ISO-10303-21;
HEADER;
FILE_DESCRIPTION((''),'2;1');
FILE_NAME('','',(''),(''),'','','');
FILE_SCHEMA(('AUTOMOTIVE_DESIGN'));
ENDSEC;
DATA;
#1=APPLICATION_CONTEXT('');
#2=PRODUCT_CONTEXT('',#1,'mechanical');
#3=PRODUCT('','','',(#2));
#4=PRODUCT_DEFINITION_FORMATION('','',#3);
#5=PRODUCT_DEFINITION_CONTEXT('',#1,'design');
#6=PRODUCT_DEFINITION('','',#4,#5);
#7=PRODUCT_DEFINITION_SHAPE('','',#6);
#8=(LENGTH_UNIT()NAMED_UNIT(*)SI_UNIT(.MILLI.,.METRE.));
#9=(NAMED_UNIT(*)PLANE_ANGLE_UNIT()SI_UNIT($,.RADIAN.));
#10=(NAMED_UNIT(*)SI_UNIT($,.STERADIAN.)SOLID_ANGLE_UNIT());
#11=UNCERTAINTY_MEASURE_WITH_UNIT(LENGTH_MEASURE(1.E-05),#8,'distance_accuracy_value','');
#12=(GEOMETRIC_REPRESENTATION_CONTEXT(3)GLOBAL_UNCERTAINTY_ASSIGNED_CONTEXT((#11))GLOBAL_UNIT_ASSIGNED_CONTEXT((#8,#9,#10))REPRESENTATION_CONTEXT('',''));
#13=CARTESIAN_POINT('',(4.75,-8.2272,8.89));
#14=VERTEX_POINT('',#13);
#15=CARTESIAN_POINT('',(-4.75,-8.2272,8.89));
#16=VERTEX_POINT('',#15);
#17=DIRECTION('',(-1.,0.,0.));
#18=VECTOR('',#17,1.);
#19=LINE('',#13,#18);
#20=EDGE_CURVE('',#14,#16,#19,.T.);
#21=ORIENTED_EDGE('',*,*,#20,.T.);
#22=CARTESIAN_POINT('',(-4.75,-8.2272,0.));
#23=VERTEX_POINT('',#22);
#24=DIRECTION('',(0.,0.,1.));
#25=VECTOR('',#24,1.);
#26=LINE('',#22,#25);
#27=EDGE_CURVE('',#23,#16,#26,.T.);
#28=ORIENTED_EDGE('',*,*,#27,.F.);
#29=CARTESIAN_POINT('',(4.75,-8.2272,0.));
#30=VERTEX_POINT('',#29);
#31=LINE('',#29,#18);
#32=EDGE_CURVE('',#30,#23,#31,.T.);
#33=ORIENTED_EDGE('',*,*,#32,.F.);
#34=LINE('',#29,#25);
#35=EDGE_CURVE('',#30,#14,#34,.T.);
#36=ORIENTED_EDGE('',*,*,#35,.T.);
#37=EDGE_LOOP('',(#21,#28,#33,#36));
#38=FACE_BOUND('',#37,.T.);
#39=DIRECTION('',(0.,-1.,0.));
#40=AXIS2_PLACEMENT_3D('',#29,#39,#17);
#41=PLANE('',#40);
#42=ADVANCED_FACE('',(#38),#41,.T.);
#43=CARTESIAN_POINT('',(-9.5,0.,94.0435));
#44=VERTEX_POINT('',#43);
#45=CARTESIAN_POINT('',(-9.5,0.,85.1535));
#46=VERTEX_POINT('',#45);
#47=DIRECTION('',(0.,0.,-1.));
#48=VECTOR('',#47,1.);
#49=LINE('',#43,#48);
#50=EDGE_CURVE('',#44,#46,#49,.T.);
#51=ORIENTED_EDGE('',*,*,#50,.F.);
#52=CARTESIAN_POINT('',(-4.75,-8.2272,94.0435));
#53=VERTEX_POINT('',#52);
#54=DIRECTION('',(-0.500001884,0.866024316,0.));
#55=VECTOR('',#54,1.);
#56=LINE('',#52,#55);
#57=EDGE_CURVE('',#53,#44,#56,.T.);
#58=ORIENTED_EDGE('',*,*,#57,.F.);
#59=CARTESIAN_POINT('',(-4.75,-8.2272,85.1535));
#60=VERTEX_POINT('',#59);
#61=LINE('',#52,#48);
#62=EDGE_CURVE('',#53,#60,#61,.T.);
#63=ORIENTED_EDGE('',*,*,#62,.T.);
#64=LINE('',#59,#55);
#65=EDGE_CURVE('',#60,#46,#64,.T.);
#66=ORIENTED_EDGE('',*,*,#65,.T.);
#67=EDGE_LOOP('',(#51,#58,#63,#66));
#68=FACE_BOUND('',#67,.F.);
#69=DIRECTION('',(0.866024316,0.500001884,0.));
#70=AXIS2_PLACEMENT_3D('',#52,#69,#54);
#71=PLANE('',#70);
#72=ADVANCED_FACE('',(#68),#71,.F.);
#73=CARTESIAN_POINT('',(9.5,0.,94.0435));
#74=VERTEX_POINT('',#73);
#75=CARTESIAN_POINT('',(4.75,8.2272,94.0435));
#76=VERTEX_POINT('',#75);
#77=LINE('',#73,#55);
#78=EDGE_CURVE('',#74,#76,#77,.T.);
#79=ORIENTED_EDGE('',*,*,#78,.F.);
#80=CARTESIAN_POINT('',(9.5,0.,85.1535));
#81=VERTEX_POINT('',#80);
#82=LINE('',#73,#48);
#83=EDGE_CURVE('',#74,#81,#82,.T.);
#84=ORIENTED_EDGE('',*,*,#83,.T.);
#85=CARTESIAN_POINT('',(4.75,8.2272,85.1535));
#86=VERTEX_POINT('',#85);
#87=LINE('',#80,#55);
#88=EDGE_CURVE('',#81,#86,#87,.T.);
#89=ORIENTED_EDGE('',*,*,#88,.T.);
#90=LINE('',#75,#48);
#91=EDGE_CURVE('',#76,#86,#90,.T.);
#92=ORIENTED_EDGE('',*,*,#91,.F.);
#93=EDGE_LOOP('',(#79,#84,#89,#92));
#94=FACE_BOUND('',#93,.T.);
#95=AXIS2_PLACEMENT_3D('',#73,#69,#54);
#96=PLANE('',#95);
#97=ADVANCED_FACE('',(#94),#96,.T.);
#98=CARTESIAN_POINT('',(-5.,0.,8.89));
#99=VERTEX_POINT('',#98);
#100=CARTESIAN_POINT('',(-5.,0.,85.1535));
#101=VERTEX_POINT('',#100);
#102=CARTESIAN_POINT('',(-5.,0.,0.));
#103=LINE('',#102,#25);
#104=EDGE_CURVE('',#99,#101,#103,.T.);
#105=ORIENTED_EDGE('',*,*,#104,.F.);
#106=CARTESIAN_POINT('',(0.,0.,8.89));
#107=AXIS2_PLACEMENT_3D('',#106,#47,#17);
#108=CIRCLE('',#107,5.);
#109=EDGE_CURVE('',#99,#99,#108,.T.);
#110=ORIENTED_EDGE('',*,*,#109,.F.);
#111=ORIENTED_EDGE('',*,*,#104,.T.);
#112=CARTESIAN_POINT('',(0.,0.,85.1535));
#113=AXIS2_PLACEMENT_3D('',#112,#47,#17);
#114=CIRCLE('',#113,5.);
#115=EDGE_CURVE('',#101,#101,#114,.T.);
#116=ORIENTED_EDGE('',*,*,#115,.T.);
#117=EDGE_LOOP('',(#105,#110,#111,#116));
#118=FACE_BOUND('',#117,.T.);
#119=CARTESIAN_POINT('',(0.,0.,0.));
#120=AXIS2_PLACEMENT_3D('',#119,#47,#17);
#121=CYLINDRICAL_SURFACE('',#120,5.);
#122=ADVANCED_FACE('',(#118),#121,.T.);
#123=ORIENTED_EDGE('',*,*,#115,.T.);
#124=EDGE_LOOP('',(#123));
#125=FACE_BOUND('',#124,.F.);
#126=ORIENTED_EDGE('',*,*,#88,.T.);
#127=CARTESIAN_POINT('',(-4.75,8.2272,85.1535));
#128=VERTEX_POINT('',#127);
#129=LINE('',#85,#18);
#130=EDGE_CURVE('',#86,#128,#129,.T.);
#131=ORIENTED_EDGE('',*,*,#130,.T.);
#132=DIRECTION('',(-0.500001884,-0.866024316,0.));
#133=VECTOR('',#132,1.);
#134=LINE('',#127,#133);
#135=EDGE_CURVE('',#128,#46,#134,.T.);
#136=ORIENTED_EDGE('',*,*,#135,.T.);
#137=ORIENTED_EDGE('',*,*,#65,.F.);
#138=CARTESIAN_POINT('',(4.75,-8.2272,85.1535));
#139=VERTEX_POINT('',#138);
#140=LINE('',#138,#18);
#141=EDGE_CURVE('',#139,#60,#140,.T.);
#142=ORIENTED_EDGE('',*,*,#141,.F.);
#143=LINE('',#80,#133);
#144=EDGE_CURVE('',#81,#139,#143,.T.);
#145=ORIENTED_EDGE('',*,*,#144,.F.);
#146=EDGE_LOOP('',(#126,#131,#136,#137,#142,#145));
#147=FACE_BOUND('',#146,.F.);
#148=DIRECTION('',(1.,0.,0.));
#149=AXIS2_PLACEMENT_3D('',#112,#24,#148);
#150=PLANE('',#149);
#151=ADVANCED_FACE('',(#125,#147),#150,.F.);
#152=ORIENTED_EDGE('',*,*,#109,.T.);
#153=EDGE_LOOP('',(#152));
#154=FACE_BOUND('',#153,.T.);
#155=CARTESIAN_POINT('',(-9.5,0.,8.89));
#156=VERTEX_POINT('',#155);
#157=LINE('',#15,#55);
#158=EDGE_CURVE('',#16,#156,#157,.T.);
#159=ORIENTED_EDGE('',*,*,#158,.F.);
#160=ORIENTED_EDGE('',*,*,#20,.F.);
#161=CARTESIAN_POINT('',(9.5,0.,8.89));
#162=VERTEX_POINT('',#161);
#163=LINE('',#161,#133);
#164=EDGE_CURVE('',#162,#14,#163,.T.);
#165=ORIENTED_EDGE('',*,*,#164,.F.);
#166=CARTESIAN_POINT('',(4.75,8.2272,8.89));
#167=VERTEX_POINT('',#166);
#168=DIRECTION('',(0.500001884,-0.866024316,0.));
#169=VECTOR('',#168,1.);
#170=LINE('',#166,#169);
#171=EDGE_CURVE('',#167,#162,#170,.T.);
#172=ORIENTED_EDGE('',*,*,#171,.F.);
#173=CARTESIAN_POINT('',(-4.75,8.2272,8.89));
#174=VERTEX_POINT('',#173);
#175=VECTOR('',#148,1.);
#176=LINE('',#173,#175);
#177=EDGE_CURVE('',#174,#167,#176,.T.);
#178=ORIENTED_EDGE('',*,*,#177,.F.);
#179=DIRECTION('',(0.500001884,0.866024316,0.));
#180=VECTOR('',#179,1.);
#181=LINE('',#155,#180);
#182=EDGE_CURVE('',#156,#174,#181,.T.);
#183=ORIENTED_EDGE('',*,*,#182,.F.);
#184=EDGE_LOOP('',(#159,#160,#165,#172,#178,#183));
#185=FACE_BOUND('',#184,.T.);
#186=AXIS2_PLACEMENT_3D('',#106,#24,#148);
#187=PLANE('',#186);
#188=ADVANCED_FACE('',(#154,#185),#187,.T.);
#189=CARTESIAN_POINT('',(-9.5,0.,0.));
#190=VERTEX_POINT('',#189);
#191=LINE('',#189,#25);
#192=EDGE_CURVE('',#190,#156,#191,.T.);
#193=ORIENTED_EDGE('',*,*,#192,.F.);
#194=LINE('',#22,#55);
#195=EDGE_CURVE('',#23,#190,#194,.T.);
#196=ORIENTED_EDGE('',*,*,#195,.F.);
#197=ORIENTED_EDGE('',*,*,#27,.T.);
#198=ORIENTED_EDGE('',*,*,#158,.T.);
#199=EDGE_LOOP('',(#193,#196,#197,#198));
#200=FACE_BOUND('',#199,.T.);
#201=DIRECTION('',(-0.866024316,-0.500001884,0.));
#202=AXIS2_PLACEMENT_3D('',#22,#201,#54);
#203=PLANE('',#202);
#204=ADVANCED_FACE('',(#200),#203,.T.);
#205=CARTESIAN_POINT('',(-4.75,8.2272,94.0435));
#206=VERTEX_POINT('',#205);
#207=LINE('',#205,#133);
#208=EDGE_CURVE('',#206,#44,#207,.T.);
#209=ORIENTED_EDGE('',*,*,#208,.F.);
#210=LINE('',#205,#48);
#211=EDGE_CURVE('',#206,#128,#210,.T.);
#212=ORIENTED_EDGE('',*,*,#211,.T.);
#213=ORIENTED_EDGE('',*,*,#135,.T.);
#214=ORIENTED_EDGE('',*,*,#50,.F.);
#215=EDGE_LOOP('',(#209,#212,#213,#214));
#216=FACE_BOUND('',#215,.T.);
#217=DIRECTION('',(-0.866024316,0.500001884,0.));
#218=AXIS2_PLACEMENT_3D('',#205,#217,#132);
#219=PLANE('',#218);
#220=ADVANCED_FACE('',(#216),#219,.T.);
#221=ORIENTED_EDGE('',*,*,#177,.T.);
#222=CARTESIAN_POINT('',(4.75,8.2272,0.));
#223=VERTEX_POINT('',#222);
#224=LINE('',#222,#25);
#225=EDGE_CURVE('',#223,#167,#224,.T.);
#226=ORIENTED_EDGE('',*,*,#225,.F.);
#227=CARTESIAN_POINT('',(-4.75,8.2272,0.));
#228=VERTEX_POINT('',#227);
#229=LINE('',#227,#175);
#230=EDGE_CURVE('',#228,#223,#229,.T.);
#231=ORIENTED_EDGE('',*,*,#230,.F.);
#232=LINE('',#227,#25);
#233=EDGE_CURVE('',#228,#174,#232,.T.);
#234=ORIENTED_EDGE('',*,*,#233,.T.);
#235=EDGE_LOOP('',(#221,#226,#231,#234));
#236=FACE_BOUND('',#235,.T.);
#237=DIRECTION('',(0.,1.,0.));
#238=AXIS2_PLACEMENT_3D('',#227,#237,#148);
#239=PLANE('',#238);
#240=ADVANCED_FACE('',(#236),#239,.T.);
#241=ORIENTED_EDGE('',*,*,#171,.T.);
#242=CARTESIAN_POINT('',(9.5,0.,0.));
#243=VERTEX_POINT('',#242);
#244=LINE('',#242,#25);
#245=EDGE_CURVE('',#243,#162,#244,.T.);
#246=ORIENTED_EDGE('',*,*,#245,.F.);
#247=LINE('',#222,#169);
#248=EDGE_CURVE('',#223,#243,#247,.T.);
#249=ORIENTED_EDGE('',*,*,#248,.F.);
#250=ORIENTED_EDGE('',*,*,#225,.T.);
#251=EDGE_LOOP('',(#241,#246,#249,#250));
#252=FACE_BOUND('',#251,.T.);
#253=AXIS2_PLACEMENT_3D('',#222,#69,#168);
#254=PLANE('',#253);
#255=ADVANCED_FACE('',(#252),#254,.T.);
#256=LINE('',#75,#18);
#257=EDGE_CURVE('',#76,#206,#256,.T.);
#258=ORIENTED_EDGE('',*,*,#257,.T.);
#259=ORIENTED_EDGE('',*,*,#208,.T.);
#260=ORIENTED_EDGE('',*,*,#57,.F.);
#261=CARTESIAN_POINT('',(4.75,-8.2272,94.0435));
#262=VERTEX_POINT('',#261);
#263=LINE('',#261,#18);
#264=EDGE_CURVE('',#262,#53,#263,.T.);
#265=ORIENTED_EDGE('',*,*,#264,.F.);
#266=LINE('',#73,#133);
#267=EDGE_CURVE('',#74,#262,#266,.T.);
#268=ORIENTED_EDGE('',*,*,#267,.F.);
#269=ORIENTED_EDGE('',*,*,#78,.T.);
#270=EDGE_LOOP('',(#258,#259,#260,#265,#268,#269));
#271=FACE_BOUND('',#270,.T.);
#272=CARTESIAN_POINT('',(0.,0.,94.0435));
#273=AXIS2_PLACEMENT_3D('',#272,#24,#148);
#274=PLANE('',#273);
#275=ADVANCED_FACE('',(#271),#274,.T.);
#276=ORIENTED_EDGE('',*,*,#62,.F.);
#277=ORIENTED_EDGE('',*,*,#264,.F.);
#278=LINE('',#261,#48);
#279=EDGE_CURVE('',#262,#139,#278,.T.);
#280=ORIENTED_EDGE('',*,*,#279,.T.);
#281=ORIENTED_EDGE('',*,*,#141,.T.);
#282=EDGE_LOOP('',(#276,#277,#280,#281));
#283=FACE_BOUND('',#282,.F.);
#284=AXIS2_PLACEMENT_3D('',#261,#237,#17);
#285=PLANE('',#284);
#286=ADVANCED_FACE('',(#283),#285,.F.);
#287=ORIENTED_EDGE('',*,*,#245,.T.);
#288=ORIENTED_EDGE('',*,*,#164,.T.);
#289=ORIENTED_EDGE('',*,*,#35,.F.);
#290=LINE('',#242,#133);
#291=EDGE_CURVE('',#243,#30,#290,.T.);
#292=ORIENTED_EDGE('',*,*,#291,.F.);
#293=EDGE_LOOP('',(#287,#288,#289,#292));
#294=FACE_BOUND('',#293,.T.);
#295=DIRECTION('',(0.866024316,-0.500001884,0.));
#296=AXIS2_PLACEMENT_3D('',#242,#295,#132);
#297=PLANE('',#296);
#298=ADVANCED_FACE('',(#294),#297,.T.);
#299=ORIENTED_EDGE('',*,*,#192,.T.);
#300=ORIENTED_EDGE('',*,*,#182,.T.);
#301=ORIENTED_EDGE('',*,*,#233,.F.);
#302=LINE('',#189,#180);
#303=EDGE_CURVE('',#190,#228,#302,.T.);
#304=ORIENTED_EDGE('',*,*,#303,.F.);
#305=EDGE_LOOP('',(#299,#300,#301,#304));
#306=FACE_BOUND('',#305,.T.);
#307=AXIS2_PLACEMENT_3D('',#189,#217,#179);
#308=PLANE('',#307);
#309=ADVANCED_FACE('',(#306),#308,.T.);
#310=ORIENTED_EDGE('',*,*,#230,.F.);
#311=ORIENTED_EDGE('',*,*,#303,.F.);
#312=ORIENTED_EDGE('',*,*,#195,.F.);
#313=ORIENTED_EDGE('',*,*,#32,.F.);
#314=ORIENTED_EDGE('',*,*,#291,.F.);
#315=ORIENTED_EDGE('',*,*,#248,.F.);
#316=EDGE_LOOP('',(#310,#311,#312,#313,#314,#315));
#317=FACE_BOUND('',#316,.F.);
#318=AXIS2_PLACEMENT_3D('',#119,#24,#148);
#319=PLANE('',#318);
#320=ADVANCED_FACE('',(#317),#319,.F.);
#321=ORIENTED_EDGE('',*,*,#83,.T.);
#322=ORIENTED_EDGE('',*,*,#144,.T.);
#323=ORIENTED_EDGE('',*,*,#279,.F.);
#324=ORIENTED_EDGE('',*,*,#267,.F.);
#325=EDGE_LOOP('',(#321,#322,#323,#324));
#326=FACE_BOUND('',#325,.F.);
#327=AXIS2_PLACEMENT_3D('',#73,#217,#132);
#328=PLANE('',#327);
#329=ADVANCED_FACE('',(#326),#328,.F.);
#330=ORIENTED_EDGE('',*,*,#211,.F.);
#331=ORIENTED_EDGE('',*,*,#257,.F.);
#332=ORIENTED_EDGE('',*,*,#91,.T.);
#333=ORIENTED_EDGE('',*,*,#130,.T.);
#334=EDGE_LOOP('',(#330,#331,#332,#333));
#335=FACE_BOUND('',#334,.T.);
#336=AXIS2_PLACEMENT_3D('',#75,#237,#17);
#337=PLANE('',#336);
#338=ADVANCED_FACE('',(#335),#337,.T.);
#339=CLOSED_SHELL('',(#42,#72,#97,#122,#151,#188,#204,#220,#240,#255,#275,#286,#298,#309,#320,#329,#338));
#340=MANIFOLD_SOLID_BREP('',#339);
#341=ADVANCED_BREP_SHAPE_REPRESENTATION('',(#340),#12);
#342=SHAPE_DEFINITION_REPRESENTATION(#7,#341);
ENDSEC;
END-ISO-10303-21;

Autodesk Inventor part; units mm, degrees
ref_plane "YZ Plane" through (0, 0, 0) normal (1, 0, 0) x (0, 1, 0)
ref_plane "XZ Plane" through (0, 0, 0) normal (0, 1, 0) x (-1, 0, 0)
ref_plane "XY Plane" through (0, 0, 0) normal (0, 0, 1) x (1, 0, 0)
sketch "Sketch1" plane through (0, 0, 0) normal (0, 0, 1) x (1, 0, 0)
  circle A0 centre (0, 0) radius 5
  circle A1 centre (0, 0) radius 9.5
  line L0 (-4.75, 8.2272) -> (4.75, 8.2272)
  line L1 (4.75, 8.2272) -> (9.5, 0)
  line L2 (9.5, 0) -> (4.75, -8.2272)
  line L3 (4.75, -8.2272) -> (-4.75, -8.2272)
  line L4 (-4.75, -8.2272) -> (-9.5, 0)
  line L5 (-9.5, 0) -> (-4.75, 8.2272)
  dimension "d0" = 10
  dimension "d1" = 19
extrude "Extrusion1" add sketch "Sketch1" along normal blind 8.89 contours L2 L3 L4 L5 L0 L1
sketch "Sketch2" plane through (0, 0, 0) normal (0, 0, -1) x (-1, 0, 0)
  circle A0 centre (0, 0) radius 5
  dimension "d4" = 10
extrude "Extrusion2" add sketch "Sketch2" against normal blind 94.0435
sketch "Sketch3" plane through (0, 0, 94.0435) normal (0, 0, 1) x (1, 0, 0)
  line L0 (-4.75, 8.2272) -> (-9.5, 0) projected
  circle A0 centre (0, 0) radius 9.5
  line L1 (-9.5, 0) -> (-4.75, 8.2272)
  line L2 (4.75, 8.2272) -> (-4.75, 8.2272) projected
  line L3 (-4.75, 8.2272) -> (4.75, 8.2272)
  line L4 (9.5, 0) -> (4.75, 8.2272) projected
  line L5 (4.75, 8.2272) -> (9.5, 0)
  line L6 (9.5, 0) -> (4.75, -8.2272)
  line L7 (4.75, -8.2272) -> (-4.75, -8.2272)
  line L8 (-4.75, -8.2272) -> (-9.5, 0)
extrude "Extrusion3" add sketch "Sketch3" against normal blind 8.89 contours L2 L4 L6 L7 L8 L0
properties part number "hing rod"
